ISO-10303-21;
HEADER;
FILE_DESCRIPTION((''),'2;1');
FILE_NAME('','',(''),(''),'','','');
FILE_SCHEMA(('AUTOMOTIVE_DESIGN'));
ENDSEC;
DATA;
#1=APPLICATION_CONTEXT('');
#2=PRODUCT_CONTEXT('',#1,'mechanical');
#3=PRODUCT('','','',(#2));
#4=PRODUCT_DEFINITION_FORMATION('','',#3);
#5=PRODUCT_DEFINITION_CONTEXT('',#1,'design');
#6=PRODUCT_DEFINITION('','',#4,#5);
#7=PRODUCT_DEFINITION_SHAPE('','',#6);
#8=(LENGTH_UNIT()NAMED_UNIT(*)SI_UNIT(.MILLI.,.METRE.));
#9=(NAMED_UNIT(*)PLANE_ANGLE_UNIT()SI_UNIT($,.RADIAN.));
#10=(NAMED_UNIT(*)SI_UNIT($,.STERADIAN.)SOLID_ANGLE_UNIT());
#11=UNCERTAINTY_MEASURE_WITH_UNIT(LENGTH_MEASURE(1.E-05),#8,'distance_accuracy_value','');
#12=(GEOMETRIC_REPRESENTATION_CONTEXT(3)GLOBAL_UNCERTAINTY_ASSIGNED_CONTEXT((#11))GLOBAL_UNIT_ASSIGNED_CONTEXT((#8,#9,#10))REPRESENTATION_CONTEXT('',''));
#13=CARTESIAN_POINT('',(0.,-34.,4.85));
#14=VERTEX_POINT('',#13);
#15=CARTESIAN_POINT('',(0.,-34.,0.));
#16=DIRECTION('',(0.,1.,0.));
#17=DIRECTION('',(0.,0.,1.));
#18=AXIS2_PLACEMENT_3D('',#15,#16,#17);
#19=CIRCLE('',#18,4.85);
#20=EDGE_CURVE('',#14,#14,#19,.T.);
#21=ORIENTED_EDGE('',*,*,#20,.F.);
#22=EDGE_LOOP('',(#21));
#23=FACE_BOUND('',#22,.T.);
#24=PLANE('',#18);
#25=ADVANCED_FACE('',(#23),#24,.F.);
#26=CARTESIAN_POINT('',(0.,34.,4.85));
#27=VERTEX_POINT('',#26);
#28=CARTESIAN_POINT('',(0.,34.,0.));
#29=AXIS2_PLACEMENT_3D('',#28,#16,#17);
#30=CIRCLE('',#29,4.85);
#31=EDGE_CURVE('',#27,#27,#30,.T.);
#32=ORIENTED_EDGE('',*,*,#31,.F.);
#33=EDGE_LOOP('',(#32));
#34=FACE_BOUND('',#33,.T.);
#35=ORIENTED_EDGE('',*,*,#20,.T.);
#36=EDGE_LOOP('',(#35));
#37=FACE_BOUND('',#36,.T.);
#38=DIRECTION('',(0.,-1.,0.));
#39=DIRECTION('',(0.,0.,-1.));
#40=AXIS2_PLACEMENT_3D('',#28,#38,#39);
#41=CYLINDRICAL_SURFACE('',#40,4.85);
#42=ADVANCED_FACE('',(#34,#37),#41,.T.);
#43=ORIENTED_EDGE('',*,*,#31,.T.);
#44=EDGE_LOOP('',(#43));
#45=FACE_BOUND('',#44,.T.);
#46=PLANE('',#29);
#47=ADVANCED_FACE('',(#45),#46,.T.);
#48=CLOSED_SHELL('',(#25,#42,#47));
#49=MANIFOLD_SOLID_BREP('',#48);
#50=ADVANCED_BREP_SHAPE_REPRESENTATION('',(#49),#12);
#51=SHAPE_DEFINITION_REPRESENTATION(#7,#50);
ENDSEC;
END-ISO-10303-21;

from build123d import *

# Parameters (mm, degrees)
SKETCH1_R           = 4.85
BOSS_EXTRUDE1_DEPTH = 34


with BuildPart() as part:
    # Sketch1 → Boss-Extrude1 (new, symmetric)
    with BuildSketch(Plane(origin=(0, 0, 0), x_dir=(1, 0, 0), z_dir=(0, 1, 0))):
        with Locations(Location((0, 0, 0), (0, 0, 270))):
            Circle(SKETCH1_R)
    extrude(amount=BOSS_EXTRUDE1_DEPTH, both=True)


solid = part.part
